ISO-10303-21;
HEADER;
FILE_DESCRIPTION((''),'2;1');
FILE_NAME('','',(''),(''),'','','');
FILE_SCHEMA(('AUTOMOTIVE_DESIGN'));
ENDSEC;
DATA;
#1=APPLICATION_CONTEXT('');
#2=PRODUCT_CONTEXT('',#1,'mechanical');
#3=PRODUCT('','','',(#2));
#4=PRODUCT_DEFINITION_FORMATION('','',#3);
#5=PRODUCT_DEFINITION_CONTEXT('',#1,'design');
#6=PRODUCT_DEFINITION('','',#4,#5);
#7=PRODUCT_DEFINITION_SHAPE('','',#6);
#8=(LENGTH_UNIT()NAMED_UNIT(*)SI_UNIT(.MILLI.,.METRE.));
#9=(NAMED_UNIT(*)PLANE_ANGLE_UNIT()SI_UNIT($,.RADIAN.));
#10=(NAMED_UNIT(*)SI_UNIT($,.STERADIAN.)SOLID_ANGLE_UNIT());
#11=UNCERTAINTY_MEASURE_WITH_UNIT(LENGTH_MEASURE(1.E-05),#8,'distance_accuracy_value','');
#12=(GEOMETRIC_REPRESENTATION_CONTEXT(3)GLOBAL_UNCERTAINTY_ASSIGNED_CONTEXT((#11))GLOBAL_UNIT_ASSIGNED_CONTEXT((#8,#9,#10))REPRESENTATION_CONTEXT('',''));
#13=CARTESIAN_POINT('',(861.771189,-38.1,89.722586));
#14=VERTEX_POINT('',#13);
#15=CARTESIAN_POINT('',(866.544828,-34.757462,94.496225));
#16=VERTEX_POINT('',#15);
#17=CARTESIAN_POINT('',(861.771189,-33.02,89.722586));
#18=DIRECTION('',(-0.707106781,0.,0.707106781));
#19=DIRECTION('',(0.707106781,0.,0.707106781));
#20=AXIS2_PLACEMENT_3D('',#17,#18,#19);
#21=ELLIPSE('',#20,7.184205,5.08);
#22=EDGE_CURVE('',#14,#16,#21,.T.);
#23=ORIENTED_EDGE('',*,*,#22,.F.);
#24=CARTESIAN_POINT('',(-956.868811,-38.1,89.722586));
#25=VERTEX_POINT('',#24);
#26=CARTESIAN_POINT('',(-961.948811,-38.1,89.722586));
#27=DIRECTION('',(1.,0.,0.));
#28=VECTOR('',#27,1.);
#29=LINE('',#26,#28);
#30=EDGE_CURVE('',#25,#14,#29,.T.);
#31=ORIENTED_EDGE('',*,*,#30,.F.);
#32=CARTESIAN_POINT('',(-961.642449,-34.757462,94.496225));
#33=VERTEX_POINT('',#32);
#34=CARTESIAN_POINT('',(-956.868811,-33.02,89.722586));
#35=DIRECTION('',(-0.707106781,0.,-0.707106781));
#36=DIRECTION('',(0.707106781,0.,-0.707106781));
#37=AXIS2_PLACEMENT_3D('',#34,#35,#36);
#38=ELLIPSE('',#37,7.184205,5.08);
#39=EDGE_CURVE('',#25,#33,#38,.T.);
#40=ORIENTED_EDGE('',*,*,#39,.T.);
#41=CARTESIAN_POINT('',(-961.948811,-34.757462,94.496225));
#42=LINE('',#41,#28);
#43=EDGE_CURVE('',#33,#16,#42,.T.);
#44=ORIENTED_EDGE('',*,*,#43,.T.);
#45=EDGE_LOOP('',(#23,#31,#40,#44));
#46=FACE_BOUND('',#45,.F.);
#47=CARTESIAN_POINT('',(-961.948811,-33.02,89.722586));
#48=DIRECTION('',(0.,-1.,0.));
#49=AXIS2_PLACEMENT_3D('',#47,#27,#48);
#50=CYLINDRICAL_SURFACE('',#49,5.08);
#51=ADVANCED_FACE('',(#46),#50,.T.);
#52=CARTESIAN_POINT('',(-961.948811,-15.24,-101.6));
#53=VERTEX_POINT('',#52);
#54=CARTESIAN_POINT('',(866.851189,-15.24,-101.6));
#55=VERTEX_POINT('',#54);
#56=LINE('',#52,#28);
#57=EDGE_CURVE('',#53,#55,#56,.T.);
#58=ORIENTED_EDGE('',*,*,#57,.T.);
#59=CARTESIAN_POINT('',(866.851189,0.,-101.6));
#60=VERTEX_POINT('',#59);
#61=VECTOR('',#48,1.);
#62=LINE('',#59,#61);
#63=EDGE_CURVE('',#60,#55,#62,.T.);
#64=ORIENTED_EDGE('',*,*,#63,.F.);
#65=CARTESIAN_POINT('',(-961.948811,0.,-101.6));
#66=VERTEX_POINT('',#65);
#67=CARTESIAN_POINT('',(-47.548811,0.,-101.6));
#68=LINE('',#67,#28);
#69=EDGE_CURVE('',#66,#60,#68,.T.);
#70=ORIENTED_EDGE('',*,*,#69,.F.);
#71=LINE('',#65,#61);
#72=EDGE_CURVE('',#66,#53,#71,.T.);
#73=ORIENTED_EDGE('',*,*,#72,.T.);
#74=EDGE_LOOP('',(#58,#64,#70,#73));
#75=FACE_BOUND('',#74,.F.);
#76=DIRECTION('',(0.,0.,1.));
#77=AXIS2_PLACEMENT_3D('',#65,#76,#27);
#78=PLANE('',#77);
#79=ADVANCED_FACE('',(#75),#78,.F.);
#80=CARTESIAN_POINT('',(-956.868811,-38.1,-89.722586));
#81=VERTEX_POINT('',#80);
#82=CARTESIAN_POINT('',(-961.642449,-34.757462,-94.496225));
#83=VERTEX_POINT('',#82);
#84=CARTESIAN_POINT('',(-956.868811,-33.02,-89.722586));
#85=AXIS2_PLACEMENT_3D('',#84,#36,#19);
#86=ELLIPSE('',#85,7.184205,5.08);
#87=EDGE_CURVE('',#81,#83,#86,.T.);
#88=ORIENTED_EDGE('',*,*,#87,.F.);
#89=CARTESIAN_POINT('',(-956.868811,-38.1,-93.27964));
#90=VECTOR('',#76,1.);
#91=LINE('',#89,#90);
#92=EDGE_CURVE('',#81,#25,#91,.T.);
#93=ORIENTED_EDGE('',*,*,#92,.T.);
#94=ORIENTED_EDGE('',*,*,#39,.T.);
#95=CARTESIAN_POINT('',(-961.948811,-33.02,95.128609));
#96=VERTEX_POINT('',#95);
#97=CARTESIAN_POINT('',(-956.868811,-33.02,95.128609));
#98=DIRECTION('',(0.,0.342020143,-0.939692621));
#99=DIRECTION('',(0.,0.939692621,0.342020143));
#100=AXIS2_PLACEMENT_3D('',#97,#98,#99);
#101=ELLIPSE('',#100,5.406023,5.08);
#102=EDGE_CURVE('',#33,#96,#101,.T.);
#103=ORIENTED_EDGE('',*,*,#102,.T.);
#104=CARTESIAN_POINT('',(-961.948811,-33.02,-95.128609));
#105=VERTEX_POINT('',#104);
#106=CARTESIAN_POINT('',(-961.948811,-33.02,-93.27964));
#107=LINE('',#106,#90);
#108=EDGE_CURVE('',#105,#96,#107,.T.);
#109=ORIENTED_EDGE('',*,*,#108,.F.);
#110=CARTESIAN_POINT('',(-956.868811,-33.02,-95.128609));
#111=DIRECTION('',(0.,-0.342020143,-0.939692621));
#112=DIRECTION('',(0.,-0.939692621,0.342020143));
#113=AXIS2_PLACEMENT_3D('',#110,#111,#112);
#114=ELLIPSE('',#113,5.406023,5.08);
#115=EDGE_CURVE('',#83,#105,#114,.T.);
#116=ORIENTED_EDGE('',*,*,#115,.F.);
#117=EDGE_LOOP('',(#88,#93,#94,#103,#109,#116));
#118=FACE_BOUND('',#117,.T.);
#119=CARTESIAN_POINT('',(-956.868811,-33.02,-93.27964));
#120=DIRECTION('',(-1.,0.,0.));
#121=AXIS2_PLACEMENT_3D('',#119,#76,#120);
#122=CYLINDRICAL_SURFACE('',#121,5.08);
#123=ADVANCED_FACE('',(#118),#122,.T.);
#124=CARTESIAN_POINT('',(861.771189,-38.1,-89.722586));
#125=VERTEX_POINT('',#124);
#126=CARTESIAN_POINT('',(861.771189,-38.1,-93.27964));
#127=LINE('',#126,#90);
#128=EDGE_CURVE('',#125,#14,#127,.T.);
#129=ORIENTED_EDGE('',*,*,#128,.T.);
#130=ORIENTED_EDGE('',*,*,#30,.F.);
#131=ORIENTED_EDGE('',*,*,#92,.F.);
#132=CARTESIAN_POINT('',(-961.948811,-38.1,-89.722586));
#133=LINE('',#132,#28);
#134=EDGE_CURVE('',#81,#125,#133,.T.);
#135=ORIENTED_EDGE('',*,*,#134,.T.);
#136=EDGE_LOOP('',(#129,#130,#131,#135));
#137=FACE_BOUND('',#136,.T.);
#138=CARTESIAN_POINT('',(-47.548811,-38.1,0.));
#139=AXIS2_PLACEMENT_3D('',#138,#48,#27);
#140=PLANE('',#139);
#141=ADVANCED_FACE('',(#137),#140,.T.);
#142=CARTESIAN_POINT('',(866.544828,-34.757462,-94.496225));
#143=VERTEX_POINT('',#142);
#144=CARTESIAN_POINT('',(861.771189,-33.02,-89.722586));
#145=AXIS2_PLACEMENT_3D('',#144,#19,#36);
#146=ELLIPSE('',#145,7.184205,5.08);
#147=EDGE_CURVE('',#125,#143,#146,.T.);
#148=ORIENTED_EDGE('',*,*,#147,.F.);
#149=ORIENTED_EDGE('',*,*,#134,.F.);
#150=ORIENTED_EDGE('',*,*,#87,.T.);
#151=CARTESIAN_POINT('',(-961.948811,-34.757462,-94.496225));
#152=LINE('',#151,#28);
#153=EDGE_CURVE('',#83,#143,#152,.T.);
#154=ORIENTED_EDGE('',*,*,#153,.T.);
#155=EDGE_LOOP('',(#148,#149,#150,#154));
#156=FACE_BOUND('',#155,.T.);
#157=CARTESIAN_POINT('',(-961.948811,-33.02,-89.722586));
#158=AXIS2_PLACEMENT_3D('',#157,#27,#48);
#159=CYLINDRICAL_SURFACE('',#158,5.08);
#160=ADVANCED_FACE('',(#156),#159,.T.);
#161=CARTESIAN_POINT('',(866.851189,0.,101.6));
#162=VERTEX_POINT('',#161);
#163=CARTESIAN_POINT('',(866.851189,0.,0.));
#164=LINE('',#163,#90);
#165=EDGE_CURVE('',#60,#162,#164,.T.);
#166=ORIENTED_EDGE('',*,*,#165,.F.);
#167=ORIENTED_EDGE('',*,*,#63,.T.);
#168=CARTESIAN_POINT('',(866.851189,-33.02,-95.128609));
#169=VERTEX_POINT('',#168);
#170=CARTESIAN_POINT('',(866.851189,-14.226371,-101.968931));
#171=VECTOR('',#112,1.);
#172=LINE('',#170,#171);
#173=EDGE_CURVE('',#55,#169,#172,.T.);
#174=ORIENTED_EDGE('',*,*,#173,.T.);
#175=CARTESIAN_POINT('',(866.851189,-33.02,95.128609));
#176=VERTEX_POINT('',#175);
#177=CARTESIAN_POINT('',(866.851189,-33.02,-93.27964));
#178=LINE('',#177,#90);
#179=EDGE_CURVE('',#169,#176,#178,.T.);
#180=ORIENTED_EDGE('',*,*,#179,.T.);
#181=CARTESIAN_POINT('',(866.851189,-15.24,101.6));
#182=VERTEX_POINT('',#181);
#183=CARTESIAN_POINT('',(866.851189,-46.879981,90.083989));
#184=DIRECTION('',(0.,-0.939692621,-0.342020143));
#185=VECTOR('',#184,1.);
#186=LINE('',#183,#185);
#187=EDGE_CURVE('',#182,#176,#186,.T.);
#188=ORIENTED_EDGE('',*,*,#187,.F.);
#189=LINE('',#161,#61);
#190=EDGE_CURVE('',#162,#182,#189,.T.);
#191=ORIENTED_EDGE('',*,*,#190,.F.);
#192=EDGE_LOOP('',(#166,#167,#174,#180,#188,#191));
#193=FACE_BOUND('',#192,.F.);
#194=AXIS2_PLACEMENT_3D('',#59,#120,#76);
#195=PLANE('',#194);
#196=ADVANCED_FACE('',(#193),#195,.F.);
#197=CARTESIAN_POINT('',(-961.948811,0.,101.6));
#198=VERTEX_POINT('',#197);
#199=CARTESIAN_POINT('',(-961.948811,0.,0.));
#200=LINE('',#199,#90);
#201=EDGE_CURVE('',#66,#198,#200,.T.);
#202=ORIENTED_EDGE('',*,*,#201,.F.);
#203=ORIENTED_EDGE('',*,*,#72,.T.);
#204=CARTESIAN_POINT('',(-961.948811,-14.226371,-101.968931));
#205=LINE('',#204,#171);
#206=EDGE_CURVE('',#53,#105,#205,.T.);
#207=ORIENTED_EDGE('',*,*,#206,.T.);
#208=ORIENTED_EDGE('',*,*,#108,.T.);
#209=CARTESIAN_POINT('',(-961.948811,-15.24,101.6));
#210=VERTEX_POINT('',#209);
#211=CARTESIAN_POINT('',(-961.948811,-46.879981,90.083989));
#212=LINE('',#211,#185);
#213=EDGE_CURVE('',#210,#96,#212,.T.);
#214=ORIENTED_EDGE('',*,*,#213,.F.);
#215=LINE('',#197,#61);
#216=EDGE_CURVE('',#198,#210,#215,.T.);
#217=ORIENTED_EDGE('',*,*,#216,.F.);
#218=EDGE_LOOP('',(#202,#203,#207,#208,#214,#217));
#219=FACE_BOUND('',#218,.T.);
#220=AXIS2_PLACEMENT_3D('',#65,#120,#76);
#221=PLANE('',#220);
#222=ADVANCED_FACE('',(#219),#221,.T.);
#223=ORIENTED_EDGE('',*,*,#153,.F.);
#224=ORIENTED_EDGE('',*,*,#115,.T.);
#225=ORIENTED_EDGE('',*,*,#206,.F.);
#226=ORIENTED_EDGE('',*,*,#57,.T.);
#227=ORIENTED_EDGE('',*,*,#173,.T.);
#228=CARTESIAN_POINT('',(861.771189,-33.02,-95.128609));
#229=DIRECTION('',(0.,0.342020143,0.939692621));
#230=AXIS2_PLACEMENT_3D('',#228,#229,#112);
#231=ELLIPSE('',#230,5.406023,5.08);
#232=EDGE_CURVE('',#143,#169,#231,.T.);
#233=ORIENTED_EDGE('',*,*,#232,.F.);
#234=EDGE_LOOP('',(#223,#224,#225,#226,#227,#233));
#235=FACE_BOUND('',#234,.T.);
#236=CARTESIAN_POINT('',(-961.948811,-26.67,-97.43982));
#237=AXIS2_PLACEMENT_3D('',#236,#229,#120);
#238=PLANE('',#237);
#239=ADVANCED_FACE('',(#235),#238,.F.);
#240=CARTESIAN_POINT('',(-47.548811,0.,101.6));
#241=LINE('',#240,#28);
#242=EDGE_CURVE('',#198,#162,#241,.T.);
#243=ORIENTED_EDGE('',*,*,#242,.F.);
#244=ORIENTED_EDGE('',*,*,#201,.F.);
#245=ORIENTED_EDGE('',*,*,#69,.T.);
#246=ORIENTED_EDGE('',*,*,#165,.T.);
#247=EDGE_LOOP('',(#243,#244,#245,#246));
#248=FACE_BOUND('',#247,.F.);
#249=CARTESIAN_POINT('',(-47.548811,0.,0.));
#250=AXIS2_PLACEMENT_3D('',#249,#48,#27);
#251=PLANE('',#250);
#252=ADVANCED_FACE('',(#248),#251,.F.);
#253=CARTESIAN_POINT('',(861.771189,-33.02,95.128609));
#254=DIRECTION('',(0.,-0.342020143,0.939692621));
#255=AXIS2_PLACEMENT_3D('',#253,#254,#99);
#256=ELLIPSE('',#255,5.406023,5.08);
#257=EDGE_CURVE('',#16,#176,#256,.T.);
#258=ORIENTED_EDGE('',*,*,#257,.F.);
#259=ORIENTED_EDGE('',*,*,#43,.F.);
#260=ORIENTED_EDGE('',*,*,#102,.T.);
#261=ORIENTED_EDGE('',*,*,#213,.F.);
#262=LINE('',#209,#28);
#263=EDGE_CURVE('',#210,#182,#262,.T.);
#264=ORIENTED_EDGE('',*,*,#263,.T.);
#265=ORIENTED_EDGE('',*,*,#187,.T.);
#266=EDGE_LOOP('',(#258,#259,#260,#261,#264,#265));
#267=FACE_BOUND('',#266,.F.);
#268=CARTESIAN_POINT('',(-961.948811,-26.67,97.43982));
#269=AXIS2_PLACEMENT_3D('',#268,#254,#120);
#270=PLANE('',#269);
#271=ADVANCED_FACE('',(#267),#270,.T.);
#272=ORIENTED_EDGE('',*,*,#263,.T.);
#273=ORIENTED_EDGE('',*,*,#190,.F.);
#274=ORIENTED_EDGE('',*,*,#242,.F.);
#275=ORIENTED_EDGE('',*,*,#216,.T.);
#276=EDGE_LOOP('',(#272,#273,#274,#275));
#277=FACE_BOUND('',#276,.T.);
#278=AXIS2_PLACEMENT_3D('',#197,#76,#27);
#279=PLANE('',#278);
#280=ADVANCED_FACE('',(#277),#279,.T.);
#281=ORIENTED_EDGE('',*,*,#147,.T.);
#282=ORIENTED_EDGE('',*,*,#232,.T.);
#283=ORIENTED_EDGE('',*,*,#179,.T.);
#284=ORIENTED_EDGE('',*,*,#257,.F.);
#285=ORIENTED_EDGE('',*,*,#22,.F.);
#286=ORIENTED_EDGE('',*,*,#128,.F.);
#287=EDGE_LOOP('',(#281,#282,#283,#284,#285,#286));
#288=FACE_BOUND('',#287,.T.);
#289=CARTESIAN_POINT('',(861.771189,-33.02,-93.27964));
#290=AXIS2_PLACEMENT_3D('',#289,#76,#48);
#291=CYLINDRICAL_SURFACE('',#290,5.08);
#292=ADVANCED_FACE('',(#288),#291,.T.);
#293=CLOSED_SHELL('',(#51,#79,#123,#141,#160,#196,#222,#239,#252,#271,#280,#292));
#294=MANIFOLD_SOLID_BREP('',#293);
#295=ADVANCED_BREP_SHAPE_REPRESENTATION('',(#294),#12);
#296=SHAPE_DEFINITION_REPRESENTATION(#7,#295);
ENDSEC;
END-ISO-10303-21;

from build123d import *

# Parameters (mm, degrees)
F0_W     = 1828.8
F0_H     = 203.2
F1_DEPTH = 38.1
F2_SIZE2 = 8.3203595553
F2_SIZE  = 22.86
F3_SIZE2 = 8.3203595553
F3_SIZE  = 22.86
F4_R     = 5.08


with BuildPart() as f1:
    # F0 (on Front) → F1 (new body)
    with BuildSketch(Plane.XZ):
        with Locations((-47.5488106235, 0)):
            Rectangle(F0_W, F0_H)
    extrude(amount=F1_DEPTH)

    # F2
    f2_edges = [f1.edges().sort_by_distance(p)[0] for p in [
        (-47.548811, -38.1, 101.6),
    ]]
    f2_side = f1.faces().sort_by_distance((-47.548811, -19.05, 101.6))[0]
    chamfer(f2_edges, length=F2_SIZE, length2=F2_SIZE2, reference=f2_side)

    # F3
    f3_edges = [f1.edges().sort_by_distance(p)[0] for p in [
        (-47.548811, -38.1, -101.6),
    ]]
    f3_side = f1.faces().sort_by_distance((-47.548811, -19.05, -101.6))[0]
    chamfer(f3_edges, length=F3_SIZE, length2=F3_SIZE2, reference=f3_side)

    # F4
    f4_edges = [f1.edges().sort_by_distance(p)[0] for p in [
        (-961.948811, -38.1, 0),
        (-47.548811, -38.1, -93.27964),
        (-47.548811, -38.1, 93.27964),
        (866.851189, -38.1, 0),
    ]]
    fillet(f4_edges, radius=F4_R)


solid = f1.part
